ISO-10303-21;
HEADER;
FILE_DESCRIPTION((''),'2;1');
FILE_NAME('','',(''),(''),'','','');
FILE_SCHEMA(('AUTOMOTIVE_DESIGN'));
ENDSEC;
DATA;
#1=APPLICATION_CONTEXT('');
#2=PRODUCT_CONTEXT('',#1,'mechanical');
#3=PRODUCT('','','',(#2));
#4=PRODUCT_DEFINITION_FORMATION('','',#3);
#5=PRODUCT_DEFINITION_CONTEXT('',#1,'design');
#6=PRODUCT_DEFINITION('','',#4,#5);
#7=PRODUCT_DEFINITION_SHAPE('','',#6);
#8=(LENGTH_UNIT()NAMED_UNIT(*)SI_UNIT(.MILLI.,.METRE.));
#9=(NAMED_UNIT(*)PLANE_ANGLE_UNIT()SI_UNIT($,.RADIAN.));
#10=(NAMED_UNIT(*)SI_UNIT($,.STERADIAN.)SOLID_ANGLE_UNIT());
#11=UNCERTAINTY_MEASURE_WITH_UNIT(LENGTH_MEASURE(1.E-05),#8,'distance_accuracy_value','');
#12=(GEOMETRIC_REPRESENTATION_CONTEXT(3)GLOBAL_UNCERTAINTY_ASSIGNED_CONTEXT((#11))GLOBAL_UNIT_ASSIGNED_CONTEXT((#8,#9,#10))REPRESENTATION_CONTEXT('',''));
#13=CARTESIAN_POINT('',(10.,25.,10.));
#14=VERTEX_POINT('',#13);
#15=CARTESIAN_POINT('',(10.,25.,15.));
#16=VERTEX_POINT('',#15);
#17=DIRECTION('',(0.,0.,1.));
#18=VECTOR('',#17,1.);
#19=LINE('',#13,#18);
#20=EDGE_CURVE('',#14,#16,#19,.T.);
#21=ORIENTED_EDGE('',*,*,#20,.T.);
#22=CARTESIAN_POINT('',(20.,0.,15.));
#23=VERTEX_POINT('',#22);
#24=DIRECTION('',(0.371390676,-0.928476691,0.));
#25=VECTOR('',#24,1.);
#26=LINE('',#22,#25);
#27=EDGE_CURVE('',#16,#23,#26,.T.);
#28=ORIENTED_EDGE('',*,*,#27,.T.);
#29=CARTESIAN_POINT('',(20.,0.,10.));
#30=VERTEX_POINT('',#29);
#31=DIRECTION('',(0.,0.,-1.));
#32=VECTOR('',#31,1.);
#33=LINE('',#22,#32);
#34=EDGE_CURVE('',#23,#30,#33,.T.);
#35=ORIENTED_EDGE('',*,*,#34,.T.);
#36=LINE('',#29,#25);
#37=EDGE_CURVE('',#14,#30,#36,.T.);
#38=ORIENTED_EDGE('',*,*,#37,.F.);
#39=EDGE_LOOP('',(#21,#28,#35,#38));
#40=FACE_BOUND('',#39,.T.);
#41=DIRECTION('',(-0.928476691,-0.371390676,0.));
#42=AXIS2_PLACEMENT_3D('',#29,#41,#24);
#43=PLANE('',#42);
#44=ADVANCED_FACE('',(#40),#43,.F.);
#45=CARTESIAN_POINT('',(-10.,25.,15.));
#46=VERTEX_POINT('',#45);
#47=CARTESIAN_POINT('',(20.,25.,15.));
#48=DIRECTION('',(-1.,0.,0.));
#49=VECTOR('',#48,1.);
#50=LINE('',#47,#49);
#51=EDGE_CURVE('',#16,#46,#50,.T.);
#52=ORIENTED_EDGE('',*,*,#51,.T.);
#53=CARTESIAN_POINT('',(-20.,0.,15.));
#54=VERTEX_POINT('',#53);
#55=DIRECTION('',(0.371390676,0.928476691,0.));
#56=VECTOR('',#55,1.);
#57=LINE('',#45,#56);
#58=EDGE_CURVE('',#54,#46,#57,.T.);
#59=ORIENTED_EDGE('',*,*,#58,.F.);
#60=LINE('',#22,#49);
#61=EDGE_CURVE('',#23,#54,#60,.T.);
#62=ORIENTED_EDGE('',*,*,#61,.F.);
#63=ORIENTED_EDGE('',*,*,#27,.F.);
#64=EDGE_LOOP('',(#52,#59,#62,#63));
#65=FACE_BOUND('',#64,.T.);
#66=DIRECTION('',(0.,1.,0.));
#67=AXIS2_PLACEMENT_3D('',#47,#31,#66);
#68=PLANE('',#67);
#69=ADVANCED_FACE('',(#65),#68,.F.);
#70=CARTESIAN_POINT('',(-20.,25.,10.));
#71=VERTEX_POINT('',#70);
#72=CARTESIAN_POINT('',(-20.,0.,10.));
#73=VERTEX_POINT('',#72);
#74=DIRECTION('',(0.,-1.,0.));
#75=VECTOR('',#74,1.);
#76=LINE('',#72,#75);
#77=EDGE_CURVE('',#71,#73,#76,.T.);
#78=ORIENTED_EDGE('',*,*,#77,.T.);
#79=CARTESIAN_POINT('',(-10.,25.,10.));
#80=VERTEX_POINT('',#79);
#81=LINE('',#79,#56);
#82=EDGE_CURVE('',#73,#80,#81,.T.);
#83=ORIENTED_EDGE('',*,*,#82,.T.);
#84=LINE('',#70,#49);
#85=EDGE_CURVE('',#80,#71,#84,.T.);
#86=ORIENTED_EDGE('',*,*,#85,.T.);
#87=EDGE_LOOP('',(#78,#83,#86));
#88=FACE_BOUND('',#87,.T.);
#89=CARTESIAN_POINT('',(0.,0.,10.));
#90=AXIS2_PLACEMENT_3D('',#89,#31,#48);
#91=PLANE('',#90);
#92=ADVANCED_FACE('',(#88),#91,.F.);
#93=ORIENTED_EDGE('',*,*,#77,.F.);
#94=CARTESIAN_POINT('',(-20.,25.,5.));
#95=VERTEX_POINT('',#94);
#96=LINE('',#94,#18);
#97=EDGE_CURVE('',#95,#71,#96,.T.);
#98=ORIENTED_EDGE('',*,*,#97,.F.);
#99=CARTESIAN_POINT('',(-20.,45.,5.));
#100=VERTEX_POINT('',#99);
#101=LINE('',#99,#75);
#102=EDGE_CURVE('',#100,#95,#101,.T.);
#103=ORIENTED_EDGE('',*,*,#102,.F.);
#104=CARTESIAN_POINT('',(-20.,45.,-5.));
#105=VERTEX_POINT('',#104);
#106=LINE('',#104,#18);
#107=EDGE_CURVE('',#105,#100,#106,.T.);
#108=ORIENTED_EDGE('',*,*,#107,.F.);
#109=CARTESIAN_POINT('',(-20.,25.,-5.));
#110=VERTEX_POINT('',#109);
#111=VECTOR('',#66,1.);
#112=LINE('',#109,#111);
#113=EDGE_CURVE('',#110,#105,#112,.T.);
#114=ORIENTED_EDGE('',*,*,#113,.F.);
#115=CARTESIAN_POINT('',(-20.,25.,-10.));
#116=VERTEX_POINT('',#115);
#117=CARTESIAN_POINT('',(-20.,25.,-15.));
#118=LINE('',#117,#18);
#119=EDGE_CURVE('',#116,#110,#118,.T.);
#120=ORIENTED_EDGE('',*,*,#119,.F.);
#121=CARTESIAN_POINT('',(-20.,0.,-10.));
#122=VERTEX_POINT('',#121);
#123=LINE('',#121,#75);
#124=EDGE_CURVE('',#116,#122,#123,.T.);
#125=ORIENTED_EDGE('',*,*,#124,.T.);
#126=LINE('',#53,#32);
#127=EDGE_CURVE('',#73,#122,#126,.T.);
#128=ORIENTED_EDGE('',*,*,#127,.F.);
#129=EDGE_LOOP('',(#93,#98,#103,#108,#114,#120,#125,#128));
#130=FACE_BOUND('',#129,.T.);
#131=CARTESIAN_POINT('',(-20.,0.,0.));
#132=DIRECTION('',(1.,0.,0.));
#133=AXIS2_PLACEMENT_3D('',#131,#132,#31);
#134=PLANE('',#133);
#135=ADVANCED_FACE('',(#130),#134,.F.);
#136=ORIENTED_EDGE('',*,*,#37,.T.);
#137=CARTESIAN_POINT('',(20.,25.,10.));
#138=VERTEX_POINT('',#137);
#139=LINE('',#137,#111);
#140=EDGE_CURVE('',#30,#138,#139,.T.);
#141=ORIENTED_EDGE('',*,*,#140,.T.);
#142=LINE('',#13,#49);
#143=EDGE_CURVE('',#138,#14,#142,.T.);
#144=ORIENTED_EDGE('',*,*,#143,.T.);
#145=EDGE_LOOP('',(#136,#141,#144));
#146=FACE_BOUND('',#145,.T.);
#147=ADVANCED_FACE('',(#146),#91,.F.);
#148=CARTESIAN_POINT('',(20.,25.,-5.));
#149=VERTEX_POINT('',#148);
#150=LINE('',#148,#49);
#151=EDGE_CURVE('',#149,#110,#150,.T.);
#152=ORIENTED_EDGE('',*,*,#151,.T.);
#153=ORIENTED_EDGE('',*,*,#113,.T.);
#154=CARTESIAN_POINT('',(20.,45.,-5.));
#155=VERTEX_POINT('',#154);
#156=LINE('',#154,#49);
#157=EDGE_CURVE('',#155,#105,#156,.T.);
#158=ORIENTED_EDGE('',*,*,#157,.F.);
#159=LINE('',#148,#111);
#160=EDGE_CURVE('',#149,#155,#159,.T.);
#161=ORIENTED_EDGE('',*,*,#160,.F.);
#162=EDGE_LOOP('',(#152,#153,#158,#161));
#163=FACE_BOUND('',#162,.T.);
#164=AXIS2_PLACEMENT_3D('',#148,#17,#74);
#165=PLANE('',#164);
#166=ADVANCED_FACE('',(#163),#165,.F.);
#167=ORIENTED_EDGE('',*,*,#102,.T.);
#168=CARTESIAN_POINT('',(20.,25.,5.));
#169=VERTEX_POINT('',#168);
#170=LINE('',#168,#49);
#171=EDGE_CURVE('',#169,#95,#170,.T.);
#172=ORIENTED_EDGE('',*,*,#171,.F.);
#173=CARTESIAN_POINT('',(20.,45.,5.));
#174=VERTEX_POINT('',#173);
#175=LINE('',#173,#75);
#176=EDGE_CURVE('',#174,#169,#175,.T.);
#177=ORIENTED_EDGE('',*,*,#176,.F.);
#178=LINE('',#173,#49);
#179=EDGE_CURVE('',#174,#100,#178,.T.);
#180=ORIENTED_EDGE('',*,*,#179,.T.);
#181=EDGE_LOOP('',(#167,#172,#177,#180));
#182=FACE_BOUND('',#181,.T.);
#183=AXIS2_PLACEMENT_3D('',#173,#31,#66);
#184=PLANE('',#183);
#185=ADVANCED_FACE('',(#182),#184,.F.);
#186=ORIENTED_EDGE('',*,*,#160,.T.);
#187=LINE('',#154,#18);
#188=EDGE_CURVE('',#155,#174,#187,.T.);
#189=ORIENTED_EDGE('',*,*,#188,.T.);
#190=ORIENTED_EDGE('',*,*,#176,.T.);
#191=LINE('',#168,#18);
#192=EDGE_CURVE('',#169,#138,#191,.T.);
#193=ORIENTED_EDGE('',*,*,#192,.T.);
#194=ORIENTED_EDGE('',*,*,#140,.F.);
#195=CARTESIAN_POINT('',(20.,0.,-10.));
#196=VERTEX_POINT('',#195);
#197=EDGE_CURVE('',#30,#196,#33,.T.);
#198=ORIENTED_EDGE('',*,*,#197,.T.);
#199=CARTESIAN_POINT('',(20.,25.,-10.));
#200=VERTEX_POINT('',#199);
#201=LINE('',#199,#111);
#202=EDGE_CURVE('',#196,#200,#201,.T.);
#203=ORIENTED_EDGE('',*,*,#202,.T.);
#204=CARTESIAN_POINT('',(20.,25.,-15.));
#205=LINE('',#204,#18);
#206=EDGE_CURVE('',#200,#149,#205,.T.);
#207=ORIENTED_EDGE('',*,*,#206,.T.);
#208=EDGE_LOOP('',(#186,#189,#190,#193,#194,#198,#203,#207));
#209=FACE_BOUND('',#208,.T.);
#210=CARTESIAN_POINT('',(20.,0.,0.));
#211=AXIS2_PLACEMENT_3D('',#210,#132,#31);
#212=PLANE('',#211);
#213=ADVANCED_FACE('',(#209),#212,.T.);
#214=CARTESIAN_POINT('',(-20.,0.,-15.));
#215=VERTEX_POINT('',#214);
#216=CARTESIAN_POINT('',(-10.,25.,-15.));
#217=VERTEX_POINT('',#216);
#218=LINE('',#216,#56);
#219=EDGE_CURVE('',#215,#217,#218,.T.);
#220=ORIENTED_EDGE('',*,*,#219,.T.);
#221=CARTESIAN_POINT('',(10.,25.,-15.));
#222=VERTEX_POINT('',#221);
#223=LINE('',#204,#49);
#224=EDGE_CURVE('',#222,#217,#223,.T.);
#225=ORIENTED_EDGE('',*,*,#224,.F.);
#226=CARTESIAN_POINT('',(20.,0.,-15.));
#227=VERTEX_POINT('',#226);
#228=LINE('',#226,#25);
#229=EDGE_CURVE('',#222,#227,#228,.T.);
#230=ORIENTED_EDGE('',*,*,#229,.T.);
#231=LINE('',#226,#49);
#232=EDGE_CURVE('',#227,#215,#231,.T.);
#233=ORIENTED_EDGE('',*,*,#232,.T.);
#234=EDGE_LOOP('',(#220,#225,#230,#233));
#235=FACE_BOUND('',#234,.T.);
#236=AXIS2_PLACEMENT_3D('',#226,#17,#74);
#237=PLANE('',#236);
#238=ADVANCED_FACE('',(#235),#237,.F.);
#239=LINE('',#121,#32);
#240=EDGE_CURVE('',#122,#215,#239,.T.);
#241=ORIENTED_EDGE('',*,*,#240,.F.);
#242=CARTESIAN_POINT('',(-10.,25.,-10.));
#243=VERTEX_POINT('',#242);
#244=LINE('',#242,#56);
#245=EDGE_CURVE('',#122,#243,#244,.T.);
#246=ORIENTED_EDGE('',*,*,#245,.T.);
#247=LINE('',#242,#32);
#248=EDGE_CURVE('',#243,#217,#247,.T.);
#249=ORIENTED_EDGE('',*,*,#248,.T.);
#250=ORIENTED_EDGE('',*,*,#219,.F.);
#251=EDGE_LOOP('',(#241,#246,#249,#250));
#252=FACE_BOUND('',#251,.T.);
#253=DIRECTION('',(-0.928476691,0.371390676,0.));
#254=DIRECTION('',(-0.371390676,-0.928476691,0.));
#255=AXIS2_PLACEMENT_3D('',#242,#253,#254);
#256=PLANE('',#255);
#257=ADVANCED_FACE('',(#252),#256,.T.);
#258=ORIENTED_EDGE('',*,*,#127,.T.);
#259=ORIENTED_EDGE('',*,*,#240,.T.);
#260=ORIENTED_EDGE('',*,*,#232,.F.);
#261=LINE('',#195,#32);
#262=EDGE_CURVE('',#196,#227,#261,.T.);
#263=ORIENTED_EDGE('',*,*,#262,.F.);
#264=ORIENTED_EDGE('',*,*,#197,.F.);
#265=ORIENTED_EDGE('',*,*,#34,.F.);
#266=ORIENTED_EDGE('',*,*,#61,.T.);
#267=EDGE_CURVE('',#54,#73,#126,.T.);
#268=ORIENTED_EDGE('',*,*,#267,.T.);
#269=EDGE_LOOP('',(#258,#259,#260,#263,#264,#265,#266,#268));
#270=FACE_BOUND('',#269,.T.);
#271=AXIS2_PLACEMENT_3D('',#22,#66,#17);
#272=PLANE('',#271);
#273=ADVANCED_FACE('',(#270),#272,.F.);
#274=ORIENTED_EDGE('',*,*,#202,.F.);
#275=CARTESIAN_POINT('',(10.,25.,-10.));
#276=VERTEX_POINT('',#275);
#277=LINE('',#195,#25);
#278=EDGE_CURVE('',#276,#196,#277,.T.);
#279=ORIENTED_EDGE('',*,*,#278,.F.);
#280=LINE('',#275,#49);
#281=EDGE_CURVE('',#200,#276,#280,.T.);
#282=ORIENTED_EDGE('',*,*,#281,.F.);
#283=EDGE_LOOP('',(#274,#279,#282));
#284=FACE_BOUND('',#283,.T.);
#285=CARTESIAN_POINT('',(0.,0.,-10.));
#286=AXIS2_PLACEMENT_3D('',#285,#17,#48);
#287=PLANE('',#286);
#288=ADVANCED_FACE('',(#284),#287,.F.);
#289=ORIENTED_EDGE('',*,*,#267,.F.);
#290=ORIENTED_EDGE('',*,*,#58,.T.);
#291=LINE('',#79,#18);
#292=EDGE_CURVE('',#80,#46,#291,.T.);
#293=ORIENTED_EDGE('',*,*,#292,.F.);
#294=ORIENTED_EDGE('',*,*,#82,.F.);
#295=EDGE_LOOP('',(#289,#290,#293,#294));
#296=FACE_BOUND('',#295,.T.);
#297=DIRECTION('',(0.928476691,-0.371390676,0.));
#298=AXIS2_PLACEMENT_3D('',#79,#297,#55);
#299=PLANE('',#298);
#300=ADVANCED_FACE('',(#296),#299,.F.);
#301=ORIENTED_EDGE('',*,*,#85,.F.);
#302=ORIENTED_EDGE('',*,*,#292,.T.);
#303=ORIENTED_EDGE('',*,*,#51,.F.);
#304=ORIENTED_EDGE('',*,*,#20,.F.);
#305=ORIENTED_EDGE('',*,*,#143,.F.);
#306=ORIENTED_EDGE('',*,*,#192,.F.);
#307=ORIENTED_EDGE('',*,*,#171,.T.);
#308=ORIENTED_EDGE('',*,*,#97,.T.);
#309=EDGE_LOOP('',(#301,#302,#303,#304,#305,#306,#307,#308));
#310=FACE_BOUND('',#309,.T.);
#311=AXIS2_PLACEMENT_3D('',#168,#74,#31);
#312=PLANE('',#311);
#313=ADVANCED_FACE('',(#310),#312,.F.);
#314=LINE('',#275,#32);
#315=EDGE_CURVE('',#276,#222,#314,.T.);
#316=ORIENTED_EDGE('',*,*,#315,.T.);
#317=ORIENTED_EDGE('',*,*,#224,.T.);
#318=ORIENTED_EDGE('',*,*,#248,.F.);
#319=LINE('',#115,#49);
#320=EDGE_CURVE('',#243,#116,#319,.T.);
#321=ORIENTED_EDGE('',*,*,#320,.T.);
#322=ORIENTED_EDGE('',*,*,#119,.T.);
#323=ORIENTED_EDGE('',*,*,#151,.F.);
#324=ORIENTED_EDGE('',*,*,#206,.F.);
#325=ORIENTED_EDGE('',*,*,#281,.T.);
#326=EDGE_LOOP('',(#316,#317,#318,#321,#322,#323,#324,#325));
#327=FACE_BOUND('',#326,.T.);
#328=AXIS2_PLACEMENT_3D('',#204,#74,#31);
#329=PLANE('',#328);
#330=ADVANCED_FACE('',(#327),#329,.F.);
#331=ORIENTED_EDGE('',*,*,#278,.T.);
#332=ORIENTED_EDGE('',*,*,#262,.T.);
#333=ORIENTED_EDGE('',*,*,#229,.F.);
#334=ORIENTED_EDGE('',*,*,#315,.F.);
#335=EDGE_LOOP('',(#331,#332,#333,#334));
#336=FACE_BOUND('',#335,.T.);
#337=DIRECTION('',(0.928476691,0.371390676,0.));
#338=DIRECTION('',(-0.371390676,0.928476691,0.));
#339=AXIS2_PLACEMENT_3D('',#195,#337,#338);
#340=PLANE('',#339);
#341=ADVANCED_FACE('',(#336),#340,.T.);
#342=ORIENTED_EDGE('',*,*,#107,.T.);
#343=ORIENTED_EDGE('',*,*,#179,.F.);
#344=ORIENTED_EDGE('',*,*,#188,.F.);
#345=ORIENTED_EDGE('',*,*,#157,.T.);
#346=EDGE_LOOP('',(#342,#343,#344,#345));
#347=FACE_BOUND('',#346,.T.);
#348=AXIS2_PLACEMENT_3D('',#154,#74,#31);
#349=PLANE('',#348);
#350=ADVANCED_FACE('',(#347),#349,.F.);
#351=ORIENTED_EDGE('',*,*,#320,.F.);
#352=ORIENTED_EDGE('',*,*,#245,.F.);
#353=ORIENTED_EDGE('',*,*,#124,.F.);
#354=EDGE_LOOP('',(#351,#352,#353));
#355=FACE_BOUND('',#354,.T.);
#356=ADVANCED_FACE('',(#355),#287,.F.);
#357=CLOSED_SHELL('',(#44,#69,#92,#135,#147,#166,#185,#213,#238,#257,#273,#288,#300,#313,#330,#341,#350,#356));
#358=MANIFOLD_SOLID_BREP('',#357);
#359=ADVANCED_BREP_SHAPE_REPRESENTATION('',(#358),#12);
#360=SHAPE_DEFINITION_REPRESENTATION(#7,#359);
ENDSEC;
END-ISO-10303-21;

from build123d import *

# Parameters (mm, degrees)
SALIENTE_EXTRUIR1_DEPTH = 20
CORTAR_EXTRUIR1_DEPTH   = 5


with BuildPart() as part:
    # Croquis1 → Saliente-Extruir1 (new, symmetric)
    with BuildSketch(Plane(origin=(0, 0, 0), x_dir=(0, 0, -1), z_dir=(1, 0, 0))):
        Polygon((-15, 0), (15, 0), (15, 25), (5, 25), (5, 45), (-5, 45), (-5, 25), (-15, 25), align=None)
    extrude(amount=SALIENTE_EXTRUIR1_DEPTH, both=True)

    # Croquis3 → Cortar-Extruir1 (cut)
    with BuildSketch(Plane.XY.offset(15)):
        Polygon((-20, 25), (-10, 25), (-20, 0), align=None)
        Polygon((10, 25), (20, 25), (20, 0), align=None)
    cortar_extruir1 = extrude(amount=-CORTAR_EXTRUIR1_DEPTH, mode=Mode.SUBTRACT)

    # Simetría1: Cortar-Extruir1 across plane
    add(cortar_extruir1.mirror(Plane.XY), mode=Mode.SUBTRACT)


solid = part.part
